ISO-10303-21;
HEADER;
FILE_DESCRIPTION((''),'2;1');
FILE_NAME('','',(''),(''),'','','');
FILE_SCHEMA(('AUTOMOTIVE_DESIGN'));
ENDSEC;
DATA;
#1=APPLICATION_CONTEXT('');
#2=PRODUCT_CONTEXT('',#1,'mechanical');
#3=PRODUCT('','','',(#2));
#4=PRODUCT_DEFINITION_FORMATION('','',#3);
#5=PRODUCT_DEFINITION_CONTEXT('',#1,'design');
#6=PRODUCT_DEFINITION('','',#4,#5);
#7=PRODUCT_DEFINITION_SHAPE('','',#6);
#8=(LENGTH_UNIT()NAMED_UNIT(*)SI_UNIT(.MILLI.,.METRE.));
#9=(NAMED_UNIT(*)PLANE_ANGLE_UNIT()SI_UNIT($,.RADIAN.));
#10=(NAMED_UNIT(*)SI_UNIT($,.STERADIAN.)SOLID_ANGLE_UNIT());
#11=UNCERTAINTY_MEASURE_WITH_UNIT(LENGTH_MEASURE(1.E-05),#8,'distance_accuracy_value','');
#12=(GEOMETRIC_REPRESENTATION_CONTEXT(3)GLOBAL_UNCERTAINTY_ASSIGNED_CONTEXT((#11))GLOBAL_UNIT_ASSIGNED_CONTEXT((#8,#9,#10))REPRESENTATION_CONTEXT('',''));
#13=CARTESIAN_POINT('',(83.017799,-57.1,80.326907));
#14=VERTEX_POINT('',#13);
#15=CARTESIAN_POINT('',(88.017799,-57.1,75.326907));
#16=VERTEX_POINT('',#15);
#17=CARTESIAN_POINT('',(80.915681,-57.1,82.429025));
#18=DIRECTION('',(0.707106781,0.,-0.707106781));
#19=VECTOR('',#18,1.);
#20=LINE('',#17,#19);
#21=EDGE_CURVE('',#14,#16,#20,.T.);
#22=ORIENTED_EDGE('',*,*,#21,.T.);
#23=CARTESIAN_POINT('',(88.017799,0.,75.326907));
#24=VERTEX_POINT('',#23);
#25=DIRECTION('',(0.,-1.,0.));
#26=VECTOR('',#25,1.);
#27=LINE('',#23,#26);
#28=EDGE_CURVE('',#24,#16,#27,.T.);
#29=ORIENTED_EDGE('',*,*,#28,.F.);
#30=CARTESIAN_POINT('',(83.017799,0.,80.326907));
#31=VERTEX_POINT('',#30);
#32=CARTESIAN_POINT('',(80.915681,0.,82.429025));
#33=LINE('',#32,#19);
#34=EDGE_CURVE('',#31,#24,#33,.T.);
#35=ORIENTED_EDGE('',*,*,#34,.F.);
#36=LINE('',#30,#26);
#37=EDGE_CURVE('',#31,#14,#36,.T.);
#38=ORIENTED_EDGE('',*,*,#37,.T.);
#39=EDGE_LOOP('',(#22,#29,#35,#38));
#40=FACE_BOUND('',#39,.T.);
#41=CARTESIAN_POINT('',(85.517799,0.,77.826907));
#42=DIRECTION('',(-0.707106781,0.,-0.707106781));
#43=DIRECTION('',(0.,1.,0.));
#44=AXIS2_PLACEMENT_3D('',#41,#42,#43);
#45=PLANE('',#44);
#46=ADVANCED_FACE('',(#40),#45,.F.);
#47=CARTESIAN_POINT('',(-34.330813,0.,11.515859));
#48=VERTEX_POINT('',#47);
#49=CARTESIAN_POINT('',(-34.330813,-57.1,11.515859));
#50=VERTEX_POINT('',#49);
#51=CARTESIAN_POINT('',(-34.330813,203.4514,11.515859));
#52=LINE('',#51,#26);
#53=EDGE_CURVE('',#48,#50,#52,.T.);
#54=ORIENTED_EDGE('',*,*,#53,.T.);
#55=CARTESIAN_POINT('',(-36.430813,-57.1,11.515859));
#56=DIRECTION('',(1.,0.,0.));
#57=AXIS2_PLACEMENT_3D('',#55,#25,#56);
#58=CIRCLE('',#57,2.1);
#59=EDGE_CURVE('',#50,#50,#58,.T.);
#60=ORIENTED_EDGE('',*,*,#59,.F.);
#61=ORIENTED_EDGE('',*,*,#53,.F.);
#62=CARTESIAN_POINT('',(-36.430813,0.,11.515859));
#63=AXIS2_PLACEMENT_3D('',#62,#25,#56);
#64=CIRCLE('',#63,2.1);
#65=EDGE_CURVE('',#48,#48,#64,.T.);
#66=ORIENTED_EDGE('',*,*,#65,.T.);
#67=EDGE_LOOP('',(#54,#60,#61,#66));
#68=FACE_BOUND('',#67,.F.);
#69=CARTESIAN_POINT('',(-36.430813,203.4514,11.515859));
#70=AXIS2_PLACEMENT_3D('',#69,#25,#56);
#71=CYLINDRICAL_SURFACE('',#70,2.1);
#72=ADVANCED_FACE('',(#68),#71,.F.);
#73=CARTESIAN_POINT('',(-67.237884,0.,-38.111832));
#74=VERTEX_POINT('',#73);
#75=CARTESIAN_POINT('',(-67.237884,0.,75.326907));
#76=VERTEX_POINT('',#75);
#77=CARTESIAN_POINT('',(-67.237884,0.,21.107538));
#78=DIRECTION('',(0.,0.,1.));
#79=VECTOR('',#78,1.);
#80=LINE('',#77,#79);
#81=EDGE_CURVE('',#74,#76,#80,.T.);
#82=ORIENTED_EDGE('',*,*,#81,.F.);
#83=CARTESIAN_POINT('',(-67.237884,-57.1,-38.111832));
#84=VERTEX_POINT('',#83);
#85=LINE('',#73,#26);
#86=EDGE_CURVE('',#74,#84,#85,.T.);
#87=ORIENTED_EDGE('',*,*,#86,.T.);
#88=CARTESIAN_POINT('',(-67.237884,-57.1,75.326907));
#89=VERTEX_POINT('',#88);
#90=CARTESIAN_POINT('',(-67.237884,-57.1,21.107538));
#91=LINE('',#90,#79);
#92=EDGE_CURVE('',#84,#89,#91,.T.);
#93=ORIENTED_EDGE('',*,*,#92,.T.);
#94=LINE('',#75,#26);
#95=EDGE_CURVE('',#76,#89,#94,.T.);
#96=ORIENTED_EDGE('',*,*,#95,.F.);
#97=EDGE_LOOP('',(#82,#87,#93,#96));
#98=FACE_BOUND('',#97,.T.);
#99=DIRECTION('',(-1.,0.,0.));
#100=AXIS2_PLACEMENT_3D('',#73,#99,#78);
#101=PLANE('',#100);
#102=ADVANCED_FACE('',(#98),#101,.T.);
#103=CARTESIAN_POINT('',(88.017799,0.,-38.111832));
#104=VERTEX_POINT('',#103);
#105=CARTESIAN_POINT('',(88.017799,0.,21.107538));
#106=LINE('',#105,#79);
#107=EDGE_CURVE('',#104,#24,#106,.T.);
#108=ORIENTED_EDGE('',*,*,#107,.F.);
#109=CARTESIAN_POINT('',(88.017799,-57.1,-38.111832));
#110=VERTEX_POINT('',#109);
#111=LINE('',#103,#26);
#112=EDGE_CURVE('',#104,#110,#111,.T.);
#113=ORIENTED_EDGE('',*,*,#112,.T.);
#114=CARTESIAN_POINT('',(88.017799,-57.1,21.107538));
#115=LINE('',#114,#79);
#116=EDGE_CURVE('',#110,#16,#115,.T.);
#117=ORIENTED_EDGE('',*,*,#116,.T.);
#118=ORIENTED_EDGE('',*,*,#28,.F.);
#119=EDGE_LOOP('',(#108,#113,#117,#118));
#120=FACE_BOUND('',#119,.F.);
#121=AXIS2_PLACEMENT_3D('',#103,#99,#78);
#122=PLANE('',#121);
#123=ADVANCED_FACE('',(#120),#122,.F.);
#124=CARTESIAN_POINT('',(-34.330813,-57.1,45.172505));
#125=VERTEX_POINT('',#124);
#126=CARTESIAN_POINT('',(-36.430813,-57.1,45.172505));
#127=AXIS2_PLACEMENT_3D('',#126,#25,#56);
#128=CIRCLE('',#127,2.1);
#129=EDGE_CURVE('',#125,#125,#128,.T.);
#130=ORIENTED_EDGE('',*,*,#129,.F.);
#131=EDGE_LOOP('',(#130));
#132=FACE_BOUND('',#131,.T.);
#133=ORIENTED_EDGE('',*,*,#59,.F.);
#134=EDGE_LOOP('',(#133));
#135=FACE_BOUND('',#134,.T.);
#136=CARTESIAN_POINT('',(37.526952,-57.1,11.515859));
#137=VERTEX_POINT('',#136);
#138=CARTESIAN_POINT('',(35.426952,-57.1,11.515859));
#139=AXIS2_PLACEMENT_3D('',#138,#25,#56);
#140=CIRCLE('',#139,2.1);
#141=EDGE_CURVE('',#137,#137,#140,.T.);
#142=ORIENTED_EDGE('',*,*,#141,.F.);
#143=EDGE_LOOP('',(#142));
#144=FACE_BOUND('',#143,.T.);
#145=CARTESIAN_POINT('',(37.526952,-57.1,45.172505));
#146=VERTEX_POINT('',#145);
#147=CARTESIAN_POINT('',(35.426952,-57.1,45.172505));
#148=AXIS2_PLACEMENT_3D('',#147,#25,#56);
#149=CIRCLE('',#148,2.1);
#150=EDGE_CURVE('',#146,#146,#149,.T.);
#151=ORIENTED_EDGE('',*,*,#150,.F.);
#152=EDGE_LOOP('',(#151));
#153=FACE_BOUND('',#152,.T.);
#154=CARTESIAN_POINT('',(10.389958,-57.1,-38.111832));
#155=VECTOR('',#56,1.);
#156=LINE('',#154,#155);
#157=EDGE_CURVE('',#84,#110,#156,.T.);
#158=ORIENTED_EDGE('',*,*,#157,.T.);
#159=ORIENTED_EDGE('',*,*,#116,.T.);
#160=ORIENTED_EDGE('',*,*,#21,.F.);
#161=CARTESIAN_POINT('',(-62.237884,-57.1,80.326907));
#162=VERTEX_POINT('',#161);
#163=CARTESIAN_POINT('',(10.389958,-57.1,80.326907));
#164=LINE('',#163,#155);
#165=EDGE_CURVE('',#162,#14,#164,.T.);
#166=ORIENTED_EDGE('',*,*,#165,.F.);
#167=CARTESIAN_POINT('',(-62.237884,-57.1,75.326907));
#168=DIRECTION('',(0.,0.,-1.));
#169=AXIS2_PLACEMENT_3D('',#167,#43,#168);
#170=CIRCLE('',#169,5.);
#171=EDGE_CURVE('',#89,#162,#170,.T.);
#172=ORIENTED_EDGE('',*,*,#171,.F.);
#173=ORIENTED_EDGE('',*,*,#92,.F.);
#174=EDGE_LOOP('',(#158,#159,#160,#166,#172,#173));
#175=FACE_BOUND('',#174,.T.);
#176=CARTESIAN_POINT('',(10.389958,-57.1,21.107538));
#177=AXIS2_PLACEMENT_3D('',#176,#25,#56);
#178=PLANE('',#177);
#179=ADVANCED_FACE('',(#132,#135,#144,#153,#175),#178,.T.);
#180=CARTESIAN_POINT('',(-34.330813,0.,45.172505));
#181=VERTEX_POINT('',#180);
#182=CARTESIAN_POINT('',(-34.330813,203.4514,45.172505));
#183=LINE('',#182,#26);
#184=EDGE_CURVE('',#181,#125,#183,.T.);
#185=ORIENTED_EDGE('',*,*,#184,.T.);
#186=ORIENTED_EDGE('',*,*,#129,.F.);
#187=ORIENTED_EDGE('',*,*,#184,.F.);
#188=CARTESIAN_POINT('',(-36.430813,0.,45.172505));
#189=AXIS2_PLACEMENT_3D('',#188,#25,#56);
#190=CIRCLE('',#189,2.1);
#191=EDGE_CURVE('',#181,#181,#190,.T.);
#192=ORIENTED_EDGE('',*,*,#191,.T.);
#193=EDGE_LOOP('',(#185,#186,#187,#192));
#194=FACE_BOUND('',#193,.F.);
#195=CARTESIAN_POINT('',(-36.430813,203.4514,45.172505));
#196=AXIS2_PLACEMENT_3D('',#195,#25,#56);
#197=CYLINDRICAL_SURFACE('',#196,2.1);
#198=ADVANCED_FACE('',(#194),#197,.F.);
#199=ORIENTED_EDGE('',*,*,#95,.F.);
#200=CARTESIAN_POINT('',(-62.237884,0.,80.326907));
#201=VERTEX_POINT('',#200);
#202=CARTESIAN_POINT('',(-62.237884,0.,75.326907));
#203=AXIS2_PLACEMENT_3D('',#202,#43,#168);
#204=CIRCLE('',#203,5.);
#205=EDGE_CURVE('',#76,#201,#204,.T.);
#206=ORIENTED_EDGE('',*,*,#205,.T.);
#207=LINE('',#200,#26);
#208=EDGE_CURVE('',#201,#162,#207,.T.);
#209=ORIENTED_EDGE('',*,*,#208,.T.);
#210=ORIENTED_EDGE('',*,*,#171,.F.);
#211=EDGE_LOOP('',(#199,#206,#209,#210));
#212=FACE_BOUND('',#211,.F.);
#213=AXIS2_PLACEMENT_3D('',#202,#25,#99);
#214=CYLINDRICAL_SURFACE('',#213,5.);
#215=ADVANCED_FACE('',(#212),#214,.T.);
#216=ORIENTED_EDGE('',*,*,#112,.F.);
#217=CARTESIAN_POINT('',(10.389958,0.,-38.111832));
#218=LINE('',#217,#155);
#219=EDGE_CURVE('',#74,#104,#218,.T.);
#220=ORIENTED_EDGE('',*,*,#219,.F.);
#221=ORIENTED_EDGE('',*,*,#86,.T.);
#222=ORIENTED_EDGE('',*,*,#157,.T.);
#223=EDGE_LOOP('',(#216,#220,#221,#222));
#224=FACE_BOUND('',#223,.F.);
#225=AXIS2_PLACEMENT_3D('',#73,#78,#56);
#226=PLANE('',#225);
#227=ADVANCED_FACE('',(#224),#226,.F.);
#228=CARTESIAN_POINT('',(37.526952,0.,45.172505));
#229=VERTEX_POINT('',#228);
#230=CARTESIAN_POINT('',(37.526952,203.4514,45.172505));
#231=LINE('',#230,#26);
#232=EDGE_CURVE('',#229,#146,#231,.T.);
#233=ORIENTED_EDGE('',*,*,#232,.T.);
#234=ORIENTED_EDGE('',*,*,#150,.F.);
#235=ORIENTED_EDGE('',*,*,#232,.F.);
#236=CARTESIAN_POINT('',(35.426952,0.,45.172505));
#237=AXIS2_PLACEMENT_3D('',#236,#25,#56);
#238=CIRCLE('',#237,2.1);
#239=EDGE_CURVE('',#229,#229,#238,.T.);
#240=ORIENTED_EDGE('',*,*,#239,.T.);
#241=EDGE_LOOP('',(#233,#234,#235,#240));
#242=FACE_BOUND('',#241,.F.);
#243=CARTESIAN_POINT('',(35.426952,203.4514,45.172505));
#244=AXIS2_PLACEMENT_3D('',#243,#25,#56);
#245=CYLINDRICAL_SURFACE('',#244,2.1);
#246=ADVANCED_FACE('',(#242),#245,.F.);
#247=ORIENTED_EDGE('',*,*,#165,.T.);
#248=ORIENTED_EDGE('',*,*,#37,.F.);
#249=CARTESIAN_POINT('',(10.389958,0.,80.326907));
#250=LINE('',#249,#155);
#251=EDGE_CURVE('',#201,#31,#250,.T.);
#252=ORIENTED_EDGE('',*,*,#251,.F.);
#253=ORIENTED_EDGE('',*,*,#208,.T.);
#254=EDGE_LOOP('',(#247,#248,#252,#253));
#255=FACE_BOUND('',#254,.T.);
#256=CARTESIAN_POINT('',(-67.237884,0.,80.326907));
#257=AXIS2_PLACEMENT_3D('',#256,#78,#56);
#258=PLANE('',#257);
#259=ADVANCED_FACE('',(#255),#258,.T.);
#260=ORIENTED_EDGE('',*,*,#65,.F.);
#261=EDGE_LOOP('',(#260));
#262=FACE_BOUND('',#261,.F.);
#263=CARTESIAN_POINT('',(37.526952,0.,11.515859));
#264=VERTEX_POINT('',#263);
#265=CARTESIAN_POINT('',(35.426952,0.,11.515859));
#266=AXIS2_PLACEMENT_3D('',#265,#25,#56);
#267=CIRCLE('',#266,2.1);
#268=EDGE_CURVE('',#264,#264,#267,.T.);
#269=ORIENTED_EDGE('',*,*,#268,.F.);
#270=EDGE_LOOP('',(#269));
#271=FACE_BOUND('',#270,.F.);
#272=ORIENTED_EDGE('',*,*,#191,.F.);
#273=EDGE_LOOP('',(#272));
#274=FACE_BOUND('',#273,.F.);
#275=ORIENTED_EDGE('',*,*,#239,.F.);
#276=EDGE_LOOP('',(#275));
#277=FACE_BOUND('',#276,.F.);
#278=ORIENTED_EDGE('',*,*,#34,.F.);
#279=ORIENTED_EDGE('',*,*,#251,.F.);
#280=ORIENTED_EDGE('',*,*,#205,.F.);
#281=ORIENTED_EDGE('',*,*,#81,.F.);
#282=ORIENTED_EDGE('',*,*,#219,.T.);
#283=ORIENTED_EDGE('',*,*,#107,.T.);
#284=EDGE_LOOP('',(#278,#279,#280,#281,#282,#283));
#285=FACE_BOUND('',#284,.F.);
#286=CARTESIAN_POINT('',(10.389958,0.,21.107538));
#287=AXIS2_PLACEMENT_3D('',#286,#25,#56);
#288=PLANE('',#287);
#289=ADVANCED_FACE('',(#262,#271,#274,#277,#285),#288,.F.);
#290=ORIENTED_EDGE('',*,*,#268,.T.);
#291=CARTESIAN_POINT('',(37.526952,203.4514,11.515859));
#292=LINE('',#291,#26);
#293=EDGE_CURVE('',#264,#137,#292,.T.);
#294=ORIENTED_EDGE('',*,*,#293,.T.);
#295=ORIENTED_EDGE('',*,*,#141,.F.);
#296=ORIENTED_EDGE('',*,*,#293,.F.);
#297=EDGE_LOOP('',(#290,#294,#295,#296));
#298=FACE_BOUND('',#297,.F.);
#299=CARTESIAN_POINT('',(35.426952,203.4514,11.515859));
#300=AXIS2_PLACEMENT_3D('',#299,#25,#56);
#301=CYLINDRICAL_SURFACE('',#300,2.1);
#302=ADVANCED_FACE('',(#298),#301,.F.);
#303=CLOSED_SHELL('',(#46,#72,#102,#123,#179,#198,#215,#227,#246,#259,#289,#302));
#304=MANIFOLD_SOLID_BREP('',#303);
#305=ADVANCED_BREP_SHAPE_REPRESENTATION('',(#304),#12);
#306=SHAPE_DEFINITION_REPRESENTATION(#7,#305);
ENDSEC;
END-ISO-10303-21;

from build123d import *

# Parameters (mm, degrees)
F0_W     = 155.2556827664
F0_H     = 118.4387393296
F1_DEPTH = 57.1
F3_D     = 4.2
F4_R     = 5
F5_SIZE  = 5


with BuildPart() as f1:
    # F0 (on Front) → F1 (new body)
    with BuildSketch(Plane.XZ):
        with Locations((10.389957577, 21.1075376719)):
            Rectangle(F0_W, F0_H)
    extrude(amount=F1_DEPTH)

    # F3 (through all)
    with Locations(Plane(origin=(0, 0, 0), x_dir=(-1, 0, 0), z_dir=(0, 1, 0))):
        with Locations((-35.4269519448, 45.1725050807), (36.4308133721, 45.1725050807), (36.4308133721, 11.5158585832), (-35.4269519448, 11.5158585832)):
            Hole(F3_D / 2)

    # F4
    f4_edges = [f1.edges().sort_by_distance(p)[0] for p in [
        (-67.237884, -28.55, 80.326907),
    ]]
    fillet(f4_edges, radius=F4_R)

    # F5
    f5_edges = [f1.edges().sort_by_distance(p)[0] for p in [
        (88.017799, -28.55, 80.326907),
    ]]
    chamfer(f5_edges, length=F5_SIZE)


solid = f1.part
